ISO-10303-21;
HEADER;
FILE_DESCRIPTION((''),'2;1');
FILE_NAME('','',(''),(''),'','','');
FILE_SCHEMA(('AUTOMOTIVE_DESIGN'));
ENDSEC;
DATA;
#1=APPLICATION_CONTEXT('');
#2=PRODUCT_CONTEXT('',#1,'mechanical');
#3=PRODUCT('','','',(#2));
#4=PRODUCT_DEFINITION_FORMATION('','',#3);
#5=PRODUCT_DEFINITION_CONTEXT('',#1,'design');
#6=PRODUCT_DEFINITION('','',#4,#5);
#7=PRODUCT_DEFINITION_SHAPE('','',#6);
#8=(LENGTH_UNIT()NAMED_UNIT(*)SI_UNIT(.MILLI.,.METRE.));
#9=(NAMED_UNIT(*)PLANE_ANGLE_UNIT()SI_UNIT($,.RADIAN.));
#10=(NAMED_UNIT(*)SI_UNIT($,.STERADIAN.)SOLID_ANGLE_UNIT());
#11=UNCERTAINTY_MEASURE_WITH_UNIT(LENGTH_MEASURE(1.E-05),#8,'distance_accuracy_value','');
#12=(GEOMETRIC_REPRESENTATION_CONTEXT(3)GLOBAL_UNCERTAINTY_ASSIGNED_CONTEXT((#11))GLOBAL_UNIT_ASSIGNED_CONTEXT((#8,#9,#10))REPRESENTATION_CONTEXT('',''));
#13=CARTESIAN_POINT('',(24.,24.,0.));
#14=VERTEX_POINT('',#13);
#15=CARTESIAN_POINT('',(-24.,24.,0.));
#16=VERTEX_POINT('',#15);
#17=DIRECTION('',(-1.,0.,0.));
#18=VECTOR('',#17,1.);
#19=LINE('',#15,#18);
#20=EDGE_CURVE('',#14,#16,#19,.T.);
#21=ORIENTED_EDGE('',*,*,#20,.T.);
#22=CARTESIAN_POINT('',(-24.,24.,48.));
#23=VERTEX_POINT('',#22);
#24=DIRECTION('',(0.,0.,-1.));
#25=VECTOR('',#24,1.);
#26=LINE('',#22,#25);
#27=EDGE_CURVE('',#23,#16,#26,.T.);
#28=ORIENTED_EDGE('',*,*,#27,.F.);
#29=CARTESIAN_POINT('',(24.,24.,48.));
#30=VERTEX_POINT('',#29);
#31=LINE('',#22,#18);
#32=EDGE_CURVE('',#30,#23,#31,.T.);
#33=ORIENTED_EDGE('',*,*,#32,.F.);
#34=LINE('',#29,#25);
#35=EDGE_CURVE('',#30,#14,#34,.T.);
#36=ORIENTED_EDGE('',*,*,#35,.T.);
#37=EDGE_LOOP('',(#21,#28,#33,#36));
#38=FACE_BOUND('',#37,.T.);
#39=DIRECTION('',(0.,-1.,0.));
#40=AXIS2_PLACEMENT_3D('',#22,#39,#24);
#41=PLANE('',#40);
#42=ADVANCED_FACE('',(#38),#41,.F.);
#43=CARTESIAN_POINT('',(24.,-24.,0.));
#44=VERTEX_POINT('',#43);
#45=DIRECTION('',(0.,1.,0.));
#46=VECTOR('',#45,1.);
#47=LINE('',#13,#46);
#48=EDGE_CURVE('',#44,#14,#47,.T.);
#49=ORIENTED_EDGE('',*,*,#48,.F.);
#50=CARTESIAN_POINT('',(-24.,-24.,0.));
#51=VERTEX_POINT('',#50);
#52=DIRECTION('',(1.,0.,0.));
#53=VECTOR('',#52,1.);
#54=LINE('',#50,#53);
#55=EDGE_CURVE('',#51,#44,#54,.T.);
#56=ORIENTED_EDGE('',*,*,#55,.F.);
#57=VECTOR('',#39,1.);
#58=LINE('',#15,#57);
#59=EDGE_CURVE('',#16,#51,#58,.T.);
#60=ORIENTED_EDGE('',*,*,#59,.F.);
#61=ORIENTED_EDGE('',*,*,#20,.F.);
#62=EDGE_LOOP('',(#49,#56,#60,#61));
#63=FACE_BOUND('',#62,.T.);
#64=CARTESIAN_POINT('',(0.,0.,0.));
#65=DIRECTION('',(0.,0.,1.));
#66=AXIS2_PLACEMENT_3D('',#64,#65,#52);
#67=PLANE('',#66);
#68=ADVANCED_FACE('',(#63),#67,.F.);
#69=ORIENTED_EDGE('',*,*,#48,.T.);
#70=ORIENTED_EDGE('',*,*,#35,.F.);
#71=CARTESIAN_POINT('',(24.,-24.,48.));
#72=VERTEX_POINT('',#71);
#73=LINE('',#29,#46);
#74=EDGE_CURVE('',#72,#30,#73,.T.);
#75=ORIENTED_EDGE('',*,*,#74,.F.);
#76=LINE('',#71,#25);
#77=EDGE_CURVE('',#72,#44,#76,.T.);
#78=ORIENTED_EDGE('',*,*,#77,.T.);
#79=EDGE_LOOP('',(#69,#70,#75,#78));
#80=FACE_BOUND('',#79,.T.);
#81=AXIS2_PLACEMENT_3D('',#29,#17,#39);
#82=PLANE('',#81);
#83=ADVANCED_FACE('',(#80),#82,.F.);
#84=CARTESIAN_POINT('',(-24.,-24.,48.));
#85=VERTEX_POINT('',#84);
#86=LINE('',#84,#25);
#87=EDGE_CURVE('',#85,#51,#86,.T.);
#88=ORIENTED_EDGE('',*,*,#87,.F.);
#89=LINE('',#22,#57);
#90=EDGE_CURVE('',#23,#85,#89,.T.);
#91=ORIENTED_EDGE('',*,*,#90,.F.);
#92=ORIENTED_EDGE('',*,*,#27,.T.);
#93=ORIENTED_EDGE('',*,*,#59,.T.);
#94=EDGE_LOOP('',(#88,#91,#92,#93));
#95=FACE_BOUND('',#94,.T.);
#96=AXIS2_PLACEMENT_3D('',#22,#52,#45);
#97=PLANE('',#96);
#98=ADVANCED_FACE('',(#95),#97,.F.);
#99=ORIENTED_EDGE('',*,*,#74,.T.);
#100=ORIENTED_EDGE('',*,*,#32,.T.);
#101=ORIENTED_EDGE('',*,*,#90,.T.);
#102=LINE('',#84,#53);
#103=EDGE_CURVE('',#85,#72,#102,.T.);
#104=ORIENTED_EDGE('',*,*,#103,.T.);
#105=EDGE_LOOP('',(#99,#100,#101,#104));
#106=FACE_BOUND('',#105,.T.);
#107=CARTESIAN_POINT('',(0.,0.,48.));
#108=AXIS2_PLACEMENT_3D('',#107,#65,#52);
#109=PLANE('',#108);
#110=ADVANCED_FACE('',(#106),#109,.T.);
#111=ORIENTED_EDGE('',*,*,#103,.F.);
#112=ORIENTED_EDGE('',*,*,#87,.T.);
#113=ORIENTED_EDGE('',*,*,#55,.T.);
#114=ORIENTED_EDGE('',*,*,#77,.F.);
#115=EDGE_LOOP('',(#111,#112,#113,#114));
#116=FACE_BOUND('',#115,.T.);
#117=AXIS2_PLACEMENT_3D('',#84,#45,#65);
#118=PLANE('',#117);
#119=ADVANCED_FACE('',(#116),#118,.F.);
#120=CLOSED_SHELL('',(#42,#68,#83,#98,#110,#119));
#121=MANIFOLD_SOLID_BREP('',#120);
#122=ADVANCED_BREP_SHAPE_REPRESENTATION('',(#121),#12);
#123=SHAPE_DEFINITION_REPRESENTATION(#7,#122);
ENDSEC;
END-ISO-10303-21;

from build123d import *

# Parameters (mm, degrees)
SKETCH_1_W      = 48
SKETCH_1_H      = 48
EXTRUDE_1_DEPTH = 48


with BuildPart() as part:
    # 草圖1 → 填料-伸長1 (new body)
    with BuildSketch(Plane.XY):
        Rectangle(SKETCH_1_W, SKETCH_1_H)
    extrude(amount=EXTRUDE_1_DEPTH)


solid = part.part
